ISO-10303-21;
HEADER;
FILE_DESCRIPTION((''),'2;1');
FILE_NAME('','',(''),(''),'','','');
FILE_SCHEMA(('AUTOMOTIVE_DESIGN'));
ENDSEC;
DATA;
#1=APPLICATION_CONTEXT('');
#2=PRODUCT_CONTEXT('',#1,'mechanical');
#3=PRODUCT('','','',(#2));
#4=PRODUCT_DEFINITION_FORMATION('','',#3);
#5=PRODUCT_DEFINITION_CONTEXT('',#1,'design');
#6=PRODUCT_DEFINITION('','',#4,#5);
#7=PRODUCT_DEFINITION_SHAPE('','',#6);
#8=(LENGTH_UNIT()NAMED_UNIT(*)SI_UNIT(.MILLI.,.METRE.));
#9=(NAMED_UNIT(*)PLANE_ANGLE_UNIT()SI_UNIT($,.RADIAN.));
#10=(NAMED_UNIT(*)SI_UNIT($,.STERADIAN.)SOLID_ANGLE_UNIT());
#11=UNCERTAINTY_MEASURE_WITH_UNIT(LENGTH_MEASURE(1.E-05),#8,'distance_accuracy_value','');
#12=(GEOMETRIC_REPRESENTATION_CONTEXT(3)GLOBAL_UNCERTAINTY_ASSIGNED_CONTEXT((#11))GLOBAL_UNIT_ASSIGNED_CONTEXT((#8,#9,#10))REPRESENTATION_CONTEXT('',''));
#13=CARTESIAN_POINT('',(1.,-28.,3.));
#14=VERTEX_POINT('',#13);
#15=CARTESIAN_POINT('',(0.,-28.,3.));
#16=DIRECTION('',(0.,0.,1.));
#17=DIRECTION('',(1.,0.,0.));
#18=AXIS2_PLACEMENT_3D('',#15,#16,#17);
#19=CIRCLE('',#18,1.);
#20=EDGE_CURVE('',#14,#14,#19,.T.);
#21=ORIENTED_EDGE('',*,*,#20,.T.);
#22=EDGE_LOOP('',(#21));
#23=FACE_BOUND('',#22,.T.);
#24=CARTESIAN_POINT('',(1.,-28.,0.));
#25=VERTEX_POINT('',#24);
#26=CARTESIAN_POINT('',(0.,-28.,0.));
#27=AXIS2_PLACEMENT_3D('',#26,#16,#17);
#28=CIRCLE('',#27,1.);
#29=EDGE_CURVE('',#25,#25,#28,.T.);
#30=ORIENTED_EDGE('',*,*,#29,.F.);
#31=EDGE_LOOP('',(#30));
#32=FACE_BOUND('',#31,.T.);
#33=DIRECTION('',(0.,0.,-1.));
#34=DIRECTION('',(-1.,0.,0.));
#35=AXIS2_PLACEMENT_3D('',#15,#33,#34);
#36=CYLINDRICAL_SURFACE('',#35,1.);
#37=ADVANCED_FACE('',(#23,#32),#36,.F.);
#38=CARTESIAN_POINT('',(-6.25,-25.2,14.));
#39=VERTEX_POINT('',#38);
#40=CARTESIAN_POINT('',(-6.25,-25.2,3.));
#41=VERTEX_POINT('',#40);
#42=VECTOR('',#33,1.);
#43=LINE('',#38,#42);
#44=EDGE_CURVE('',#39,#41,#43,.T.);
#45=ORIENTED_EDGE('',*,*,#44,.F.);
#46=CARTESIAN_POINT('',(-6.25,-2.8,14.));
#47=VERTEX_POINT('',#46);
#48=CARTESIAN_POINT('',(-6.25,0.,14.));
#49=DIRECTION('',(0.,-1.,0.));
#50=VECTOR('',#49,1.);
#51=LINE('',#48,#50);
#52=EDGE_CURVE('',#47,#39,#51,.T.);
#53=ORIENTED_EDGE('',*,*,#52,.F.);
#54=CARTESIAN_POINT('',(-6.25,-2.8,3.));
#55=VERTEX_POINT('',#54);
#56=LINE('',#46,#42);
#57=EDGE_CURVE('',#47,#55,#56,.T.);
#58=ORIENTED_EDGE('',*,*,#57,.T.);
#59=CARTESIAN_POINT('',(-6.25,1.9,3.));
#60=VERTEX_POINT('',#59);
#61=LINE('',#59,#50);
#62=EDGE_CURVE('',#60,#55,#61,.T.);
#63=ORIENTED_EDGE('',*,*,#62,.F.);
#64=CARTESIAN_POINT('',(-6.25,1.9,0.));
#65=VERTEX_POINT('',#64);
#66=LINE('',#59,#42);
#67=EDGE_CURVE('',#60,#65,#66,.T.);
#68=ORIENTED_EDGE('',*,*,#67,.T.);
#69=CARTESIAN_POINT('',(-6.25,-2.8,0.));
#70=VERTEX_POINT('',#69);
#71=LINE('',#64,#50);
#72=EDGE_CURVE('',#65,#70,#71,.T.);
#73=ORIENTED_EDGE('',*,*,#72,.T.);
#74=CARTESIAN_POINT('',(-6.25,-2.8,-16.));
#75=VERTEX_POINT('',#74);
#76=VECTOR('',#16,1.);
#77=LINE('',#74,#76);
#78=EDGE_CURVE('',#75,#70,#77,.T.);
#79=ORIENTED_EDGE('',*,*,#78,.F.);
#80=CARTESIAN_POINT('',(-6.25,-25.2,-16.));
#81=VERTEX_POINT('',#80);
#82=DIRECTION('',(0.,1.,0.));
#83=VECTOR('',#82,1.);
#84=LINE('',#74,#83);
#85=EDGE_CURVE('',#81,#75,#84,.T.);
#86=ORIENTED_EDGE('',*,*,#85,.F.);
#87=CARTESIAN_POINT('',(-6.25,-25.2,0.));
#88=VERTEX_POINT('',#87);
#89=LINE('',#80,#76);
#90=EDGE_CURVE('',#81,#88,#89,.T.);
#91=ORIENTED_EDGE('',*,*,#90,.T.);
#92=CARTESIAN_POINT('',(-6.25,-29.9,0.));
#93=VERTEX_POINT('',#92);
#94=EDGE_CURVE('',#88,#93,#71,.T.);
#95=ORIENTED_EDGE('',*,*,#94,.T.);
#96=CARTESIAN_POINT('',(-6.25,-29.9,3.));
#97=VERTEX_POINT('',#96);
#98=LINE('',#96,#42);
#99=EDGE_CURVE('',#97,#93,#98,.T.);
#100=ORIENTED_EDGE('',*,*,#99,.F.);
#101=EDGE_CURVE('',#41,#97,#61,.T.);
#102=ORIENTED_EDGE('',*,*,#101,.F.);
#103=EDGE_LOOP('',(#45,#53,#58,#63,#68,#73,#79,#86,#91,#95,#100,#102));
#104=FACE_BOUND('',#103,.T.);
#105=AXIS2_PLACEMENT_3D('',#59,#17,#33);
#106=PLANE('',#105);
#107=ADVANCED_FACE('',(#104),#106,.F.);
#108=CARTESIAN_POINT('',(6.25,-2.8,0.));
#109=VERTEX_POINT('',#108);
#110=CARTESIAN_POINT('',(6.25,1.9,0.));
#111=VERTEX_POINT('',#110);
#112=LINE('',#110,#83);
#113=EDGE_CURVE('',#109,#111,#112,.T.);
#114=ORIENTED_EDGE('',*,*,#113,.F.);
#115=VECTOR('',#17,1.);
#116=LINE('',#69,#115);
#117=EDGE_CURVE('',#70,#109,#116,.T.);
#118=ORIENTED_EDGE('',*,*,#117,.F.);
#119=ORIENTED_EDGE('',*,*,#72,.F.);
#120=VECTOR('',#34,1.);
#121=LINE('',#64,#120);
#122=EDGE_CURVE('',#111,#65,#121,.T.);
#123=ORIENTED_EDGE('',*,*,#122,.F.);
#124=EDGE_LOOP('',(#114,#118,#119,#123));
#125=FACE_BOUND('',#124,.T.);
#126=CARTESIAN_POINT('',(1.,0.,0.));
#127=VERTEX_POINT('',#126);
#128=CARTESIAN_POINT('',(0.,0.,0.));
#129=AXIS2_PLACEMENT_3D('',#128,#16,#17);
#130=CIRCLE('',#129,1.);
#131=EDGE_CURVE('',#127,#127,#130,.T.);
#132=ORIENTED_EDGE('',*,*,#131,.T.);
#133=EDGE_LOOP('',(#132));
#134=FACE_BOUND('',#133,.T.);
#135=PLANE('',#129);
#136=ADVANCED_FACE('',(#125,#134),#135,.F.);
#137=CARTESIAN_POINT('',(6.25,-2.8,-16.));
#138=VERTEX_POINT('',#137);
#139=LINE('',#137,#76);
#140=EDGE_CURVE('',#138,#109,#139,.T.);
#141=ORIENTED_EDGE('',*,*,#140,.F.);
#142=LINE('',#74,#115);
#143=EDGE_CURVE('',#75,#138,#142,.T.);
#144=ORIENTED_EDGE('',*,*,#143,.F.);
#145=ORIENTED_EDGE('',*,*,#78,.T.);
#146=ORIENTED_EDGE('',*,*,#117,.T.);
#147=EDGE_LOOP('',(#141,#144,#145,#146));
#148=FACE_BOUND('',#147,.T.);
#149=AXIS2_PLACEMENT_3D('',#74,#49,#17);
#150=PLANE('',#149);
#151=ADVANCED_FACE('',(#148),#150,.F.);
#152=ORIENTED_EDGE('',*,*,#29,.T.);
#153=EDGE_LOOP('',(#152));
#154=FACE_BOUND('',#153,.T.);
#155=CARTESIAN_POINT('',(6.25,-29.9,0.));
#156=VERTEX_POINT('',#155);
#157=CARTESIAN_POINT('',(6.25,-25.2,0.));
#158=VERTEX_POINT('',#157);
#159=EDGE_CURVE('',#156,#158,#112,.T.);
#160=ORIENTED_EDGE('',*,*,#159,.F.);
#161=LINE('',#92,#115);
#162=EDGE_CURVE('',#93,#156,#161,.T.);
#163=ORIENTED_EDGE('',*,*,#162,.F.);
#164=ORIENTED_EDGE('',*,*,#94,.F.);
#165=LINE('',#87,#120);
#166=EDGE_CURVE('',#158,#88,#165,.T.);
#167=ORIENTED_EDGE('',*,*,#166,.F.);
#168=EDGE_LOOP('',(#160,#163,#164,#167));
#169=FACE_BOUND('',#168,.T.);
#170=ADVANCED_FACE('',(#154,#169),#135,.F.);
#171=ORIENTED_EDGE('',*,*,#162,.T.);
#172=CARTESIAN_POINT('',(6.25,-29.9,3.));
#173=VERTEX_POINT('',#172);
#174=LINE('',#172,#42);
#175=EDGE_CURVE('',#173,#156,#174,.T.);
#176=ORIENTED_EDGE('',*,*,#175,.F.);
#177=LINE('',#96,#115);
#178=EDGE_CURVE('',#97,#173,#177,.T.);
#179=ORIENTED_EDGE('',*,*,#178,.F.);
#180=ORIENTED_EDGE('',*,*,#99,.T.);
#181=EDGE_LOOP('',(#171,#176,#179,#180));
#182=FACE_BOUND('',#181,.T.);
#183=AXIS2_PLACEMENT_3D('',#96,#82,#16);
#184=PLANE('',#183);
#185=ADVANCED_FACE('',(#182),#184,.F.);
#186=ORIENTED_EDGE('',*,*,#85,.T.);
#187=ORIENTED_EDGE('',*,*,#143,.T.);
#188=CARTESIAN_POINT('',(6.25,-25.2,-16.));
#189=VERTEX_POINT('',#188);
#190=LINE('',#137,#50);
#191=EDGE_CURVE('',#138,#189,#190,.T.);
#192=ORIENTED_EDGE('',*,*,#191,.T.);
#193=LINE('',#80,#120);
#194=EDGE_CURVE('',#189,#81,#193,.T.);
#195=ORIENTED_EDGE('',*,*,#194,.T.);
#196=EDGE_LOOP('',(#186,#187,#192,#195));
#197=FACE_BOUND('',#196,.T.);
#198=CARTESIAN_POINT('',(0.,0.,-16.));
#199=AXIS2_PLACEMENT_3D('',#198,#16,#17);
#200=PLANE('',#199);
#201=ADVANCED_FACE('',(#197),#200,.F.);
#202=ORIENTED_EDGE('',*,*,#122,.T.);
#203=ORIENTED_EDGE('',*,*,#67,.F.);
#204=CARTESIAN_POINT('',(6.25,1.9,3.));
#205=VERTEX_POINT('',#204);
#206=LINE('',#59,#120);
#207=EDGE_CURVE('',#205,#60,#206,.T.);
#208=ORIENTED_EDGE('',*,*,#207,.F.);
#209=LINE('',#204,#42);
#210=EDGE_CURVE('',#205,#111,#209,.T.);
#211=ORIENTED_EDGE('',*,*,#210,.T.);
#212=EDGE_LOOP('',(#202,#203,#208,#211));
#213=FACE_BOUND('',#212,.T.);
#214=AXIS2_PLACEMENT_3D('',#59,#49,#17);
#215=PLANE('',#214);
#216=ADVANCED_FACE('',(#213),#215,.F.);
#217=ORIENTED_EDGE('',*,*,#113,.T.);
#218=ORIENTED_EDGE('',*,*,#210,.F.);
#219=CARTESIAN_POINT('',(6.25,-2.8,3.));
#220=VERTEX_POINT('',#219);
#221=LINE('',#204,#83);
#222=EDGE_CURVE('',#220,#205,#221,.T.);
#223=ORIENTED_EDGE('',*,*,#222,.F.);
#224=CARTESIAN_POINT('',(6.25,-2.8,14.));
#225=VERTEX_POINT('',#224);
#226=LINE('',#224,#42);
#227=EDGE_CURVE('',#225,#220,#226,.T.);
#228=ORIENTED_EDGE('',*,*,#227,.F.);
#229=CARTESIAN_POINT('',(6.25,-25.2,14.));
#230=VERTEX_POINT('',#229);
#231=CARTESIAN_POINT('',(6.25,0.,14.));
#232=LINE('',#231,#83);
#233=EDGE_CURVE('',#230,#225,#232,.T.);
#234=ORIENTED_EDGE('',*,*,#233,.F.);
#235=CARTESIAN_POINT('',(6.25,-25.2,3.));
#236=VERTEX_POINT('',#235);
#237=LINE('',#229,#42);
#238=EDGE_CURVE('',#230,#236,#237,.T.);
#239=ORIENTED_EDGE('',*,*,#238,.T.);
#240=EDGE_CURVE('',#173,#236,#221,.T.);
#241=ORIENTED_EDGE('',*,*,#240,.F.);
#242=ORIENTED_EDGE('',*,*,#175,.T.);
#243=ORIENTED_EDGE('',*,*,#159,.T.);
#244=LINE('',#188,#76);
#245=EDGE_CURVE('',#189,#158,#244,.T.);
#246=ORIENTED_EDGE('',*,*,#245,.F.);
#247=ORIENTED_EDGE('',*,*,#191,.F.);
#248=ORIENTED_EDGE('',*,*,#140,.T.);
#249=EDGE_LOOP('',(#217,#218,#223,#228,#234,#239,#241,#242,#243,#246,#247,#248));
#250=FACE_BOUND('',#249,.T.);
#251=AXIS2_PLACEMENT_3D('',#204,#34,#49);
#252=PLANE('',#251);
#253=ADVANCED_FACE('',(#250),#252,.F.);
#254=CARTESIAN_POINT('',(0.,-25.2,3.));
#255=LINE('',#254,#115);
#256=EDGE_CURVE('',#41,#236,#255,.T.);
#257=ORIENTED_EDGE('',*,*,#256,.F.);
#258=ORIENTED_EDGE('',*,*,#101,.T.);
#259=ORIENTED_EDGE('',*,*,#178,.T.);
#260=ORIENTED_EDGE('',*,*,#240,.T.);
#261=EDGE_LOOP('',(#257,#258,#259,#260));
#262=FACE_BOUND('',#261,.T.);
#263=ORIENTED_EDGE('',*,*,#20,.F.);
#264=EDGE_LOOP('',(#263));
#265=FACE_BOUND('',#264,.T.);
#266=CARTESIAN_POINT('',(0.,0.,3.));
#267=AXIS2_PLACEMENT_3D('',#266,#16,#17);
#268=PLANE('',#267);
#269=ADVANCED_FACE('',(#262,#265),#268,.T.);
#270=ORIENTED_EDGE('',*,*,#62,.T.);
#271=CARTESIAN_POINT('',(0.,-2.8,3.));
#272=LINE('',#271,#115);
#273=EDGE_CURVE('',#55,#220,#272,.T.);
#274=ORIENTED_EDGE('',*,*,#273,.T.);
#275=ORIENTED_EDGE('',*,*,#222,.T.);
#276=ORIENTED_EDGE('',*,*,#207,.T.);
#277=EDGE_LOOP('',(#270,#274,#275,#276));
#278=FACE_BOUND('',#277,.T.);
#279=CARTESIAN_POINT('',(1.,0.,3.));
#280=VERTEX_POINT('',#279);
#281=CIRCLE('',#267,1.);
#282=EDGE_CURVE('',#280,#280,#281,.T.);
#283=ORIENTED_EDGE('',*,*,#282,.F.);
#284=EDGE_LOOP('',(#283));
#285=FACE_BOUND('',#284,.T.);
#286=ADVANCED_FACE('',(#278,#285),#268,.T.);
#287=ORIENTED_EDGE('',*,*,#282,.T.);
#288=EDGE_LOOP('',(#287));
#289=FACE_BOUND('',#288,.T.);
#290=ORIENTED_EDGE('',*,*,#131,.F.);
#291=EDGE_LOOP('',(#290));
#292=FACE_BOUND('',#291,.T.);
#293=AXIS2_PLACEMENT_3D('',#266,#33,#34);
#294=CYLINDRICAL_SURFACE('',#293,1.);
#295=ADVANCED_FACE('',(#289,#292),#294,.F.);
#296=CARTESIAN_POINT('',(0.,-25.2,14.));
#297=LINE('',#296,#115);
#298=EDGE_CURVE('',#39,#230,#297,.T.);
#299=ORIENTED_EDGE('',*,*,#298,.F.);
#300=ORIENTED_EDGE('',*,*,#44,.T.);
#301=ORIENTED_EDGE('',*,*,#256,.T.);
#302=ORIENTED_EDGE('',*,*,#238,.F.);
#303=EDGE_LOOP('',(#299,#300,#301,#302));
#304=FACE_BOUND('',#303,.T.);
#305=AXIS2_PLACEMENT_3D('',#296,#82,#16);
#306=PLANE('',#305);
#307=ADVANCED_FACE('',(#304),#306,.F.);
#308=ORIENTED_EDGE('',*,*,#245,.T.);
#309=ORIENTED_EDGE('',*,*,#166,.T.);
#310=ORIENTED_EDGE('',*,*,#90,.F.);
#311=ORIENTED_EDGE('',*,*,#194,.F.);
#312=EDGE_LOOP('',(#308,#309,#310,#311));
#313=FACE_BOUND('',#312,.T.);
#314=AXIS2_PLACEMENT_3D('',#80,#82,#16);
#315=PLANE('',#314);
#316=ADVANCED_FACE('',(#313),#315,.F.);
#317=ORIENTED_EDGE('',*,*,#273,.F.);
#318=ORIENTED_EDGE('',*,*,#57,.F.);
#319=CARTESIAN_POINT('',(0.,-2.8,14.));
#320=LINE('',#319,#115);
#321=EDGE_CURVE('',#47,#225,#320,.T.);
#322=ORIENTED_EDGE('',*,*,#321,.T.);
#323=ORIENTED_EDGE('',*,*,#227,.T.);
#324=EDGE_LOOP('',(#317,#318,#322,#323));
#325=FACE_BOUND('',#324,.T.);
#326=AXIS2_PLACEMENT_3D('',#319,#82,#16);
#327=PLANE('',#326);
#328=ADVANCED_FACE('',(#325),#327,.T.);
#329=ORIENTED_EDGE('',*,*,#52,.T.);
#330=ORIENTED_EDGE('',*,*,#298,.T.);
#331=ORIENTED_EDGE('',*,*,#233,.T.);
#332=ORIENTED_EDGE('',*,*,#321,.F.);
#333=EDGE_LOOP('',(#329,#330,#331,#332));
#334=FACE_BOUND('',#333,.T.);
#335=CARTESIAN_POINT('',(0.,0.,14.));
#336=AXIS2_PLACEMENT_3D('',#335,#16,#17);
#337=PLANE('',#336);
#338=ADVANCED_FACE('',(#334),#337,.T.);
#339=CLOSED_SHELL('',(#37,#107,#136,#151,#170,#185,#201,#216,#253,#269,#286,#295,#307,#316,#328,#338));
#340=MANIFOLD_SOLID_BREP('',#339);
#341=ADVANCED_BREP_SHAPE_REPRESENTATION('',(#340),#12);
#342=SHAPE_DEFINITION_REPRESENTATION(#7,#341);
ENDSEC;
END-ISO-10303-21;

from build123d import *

# Parameters (mm, degrees)
SKETCH_1_W      = 12.5
SKETCH_1_H      = 31.8
SKETCH_1_R      = 1
EXTRUDE_1_DEPTH = 3
SKETCH_2_W      = 12.5
SKETCH_2_H      = 22.4
EXTRUDE_2_DEPTH = 11
SKETCH_3_W      = 12.5
SKETCH_3_H      = 22.4
EXTRUDE_4_DEPTH = 16


with BuildPart() as part:
    # 草图1 → 凸台-拉伸1 (new body)
    with BuildSketch(Plane.XY):
        with Locations((0, -14)):
            Rectangle(SKETCH_1_W, SKETCH_1_H)
        Circle(SKETCH_1_R, mode=Mode.SUBTRACT)
        with Locations((0, -28)):
            Circle(SKETCH_1_R, mode=Mode.SUBTRACT)
    extrude(amount=EXTRUDE_1_DEPTH)

    # 草图2 → 凸台-拉伸2 (add)
    with BuildSketch(Plane.XY.offset(3)):
        with Locations((0, -14)):
            Rectangle(SKETCH_2_W, SKETCH_2_H)
    extrude(amount=EXTRUDE_2_DEPTH)

    # 草图3 → 凸台-拉伸4 (add)
    with BuildSketch(Plane(origin=(0, 0, 0), x_dir=(-1, 0, 0), z_dir=(0, 0, -1))):
        with Locations((0, -14)):
            Rectangle(SKETCH_3_W, SKETCH_3_H)
    extrude(amount=EXTRUDE_4_DEPTH)


solid = part.part
